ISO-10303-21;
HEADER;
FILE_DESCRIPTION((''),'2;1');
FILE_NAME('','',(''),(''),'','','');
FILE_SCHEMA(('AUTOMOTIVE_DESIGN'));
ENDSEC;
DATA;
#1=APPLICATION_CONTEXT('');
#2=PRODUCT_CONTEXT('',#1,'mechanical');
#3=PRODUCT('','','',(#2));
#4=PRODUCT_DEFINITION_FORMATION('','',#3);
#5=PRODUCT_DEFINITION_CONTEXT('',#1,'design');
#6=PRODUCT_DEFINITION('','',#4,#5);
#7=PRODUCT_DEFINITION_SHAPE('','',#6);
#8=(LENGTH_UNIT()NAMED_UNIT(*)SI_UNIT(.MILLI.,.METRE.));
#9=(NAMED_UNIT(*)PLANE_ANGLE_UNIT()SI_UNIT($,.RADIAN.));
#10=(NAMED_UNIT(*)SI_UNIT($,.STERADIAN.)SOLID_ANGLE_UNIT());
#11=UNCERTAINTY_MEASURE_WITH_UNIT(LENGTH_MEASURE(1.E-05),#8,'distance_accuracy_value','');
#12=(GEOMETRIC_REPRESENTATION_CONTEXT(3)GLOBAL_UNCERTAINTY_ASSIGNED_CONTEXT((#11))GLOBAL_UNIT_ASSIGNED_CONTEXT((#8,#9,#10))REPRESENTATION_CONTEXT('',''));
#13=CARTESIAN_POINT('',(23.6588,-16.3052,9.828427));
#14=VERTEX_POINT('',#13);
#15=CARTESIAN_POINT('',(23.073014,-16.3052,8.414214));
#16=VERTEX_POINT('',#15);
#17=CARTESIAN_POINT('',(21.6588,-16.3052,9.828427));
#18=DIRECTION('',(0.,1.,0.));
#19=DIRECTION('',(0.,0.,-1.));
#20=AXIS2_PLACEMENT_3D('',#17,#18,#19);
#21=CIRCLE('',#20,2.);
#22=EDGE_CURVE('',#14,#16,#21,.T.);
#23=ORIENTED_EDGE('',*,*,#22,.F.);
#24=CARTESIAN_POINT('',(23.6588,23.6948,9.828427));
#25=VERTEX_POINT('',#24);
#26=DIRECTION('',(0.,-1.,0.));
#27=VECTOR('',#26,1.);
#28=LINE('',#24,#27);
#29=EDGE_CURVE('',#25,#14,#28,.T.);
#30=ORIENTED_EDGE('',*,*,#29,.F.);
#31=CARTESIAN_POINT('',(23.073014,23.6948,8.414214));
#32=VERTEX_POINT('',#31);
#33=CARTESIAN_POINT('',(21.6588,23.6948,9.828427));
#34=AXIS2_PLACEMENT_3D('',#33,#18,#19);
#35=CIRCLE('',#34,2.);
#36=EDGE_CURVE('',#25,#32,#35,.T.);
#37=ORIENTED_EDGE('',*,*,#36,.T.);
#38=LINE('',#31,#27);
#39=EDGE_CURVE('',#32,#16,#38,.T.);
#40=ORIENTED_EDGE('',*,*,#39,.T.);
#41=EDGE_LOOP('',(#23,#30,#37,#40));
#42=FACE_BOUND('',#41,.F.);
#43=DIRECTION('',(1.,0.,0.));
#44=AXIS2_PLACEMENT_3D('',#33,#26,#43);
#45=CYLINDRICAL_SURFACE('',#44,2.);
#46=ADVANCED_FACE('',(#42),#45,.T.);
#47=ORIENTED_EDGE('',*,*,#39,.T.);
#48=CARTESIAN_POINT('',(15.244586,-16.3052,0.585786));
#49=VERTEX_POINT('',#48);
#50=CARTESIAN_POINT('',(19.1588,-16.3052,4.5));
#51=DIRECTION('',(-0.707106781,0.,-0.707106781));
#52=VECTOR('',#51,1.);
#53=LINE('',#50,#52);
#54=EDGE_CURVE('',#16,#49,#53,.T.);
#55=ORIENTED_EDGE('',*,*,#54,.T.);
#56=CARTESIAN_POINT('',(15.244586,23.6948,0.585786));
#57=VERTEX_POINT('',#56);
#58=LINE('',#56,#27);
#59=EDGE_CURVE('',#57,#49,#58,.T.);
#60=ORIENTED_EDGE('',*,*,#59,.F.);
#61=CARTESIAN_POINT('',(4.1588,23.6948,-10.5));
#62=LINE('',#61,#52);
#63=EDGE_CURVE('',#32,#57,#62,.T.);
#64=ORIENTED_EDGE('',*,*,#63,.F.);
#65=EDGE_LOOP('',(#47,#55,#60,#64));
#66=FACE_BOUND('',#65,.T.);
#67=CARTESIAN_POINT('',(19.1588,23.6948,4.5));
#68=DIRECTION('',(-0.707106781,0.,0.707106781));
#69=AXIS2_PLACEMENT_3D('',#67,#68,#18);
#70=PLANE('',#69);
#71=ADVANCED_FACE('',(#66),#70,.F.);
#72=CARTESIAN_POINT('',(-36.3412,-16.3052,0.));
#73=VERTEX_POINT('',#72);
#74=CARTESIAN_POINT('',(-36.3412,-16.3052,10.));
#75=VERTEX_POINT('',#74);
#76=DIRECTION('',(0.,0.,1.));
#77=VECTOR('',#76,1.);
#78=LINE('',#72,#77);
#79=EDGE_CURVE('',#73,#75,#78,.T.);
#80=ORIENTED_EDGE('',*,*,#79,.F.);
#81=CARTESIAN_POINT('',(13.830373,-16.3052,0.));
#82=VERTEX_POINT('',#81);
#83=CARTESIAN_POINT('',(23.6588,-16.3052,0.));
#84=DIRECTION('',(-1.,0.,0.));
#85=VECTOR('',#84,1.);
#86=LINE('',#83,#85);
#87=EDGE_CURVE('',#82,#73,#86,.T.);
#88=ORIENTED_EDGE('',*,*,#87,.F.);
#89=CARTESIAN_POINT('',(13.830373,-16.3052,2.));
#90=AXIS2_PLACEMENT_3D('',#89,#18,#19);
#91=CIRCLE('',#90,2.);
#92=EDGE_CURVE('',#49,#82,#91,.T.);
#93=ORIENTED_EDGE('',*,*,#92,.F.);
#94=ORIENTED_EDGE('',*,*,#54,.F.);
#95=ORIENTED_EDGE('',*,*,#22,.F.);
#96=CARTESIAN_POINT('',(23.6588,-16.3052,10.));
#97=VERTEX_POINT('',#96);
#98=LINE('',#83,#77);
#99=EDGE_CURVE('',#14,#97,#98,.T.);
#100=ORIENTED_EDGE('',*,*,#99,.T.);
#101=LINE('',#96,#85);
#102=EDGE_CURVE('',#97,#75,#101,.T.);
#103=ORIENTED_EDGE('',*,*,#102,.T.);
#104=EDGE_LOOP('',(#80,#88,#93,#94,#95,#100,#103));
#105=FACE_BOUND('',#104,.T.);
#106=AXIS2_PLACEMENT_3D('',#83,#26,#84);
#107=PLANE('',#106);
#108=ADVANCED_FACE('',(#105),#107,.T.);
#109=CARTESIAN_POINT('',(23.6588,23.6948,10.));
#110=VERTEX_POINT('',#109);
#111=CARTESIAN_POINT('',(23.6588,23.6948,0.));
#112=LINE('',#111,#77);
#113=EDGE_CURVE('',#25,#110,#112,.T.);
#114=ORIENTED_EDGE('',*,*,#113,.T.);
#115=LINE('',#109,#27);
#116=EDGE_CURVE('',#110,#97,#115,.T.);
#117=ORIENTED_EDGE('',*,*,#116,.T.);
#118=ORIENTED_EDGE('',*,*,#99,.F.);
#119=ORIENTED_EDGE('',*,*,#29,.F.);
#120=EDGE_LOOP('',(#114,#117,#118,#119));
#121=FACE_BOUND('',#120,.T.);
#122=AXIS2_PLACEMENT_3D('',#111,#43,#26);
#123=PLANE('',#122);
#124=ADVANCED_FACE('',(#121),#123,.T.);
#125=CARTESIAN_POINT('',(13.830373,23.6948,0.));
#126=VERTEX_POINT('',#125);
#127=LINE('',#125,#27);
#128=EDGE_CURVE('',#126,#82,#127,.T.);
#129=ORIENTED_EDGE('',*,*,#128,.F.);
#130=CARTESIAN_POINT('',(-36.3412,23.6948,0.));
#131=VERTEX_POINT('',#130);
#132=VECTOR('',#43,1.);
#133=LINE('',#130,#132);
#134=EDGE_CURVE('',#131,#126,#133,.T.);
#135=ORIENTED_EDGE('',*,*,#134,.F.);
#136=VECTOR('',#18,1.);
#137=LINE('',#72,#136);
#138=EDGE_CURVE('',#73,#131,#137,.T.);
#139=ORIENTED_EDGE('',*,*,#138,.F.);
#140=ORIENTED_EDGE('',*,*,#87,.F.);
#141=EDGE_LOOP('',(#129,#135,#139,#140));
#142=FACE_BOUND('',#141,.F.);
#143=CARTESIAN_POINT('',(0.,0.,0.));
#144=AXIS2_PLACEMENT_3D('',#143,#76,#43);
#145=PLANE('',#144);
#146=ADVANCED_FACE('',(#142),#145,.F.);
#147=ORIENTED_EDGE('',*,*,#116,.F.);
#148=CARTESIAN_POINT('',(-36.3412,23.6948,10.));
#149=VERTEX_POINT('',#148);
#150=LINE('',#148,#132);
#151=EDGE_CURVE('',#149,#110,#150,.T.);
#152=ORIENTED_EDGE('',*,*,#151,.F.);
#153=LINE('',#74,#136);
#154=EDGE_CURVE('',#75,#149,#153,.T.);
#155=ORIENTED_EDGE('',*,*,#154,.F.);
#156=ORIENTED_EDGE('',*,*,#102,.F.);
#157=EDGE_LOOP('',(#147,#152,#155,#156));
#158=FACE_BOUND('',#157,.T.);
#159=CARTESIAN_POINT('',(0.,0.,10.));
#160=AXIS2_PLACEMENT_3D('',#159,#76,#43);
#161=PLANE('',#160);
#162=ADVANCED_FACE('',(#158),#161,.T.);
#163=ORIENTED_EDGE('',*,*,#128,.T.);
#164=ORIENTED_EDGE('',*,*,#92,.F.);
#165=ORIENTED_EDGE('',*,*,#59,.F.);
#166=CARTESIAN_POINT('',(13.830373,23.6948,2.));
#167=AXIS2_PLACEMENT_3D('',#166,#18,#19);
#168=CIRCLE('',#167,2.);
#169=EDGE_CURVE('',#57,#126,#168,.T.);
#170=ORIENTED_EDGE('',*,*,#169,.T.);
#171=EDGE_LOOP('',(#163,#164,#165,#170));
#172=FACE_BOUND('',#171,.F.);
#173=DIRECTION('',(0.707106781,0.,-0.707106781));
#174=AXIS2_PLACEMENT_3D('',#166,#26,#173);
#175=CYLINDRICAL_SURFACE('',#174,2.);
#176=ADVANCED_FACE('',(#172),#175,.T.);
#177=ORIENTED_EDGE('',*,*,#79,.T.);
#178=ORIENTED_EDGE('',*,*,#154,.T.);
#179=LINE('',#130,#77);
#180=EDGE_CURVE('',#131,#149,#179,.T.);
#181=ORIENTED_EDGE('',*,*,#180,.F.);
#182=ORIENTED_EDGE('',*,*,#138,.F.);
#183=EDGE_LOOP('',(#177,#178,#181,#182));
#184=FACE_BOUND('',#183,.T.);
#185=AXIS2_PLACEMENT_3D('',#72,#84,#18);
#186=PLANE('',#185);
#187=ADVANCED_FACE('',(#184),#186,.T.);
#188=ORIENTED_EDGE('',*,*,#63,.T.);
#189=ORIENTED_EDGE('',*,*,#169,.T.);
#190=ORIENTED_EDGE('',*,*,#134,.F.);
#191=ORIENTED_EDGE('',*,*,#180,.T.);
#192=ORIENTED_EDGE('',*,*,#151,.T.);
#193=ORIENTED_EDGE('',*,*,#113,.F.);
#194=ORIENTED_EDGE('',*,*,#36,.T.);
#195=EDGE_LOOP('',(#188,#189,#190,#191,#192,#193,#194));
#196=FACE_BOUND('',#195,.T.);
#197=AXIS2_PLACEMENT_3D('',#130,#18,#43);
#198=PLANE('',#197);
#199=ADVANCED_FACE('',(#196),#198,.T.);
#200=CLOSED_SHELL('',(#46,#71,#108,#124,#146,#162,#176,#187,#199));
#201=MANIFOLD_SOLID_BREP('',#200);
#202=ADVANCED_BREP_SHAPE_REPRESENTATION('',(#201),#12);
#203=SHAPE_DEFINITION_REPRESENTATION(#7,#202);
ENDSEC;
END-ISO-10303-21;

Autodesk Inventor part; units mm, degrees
ref_plane "YZ Plane" through (0, 0, 0) normal (1, 0, 0) x (0, 1, 0)
ref_plane "XZ Plane" through (0, 0, 0) normal (0, 1, 0) x (-1, 0, 0)
ref_plane "XY Plane" through (0, 0, 0) normal (0, 0, 1) x (1, 0, 0)
sketch "Skizze1" plane through (0, 0, 0) normal (0, 0, 1) x (1, 0, 0)
  line L0 (-36.3412, 23.6948) -> (23.6588, 23.6948)
  line L1 (23.6588, 23.6948) -> (23.6588, -16.3052)
  line L2 (23.6588, -16.3052) -> (-36.3412, -16.3052)
  line L3 (-36.3412, -16.3052) -> (-36.3412, 23.6948)
  point P0 (0, 0)
  dimension "d0" = 60
  dimension "d1" = 40
extrude "Extrusion1" add sketch "Skizze1" along normal blind 10
chamfer "Fase1" distance 9 angle 45 1 edges at (23.6588, 3.6948, 0)
fillet "Rundung1" radius 2 2 edges at (23.6588, 3.6948, 9) (14.6588, 3.6948, 0)
properties part number "KabelBoxDeckel"
